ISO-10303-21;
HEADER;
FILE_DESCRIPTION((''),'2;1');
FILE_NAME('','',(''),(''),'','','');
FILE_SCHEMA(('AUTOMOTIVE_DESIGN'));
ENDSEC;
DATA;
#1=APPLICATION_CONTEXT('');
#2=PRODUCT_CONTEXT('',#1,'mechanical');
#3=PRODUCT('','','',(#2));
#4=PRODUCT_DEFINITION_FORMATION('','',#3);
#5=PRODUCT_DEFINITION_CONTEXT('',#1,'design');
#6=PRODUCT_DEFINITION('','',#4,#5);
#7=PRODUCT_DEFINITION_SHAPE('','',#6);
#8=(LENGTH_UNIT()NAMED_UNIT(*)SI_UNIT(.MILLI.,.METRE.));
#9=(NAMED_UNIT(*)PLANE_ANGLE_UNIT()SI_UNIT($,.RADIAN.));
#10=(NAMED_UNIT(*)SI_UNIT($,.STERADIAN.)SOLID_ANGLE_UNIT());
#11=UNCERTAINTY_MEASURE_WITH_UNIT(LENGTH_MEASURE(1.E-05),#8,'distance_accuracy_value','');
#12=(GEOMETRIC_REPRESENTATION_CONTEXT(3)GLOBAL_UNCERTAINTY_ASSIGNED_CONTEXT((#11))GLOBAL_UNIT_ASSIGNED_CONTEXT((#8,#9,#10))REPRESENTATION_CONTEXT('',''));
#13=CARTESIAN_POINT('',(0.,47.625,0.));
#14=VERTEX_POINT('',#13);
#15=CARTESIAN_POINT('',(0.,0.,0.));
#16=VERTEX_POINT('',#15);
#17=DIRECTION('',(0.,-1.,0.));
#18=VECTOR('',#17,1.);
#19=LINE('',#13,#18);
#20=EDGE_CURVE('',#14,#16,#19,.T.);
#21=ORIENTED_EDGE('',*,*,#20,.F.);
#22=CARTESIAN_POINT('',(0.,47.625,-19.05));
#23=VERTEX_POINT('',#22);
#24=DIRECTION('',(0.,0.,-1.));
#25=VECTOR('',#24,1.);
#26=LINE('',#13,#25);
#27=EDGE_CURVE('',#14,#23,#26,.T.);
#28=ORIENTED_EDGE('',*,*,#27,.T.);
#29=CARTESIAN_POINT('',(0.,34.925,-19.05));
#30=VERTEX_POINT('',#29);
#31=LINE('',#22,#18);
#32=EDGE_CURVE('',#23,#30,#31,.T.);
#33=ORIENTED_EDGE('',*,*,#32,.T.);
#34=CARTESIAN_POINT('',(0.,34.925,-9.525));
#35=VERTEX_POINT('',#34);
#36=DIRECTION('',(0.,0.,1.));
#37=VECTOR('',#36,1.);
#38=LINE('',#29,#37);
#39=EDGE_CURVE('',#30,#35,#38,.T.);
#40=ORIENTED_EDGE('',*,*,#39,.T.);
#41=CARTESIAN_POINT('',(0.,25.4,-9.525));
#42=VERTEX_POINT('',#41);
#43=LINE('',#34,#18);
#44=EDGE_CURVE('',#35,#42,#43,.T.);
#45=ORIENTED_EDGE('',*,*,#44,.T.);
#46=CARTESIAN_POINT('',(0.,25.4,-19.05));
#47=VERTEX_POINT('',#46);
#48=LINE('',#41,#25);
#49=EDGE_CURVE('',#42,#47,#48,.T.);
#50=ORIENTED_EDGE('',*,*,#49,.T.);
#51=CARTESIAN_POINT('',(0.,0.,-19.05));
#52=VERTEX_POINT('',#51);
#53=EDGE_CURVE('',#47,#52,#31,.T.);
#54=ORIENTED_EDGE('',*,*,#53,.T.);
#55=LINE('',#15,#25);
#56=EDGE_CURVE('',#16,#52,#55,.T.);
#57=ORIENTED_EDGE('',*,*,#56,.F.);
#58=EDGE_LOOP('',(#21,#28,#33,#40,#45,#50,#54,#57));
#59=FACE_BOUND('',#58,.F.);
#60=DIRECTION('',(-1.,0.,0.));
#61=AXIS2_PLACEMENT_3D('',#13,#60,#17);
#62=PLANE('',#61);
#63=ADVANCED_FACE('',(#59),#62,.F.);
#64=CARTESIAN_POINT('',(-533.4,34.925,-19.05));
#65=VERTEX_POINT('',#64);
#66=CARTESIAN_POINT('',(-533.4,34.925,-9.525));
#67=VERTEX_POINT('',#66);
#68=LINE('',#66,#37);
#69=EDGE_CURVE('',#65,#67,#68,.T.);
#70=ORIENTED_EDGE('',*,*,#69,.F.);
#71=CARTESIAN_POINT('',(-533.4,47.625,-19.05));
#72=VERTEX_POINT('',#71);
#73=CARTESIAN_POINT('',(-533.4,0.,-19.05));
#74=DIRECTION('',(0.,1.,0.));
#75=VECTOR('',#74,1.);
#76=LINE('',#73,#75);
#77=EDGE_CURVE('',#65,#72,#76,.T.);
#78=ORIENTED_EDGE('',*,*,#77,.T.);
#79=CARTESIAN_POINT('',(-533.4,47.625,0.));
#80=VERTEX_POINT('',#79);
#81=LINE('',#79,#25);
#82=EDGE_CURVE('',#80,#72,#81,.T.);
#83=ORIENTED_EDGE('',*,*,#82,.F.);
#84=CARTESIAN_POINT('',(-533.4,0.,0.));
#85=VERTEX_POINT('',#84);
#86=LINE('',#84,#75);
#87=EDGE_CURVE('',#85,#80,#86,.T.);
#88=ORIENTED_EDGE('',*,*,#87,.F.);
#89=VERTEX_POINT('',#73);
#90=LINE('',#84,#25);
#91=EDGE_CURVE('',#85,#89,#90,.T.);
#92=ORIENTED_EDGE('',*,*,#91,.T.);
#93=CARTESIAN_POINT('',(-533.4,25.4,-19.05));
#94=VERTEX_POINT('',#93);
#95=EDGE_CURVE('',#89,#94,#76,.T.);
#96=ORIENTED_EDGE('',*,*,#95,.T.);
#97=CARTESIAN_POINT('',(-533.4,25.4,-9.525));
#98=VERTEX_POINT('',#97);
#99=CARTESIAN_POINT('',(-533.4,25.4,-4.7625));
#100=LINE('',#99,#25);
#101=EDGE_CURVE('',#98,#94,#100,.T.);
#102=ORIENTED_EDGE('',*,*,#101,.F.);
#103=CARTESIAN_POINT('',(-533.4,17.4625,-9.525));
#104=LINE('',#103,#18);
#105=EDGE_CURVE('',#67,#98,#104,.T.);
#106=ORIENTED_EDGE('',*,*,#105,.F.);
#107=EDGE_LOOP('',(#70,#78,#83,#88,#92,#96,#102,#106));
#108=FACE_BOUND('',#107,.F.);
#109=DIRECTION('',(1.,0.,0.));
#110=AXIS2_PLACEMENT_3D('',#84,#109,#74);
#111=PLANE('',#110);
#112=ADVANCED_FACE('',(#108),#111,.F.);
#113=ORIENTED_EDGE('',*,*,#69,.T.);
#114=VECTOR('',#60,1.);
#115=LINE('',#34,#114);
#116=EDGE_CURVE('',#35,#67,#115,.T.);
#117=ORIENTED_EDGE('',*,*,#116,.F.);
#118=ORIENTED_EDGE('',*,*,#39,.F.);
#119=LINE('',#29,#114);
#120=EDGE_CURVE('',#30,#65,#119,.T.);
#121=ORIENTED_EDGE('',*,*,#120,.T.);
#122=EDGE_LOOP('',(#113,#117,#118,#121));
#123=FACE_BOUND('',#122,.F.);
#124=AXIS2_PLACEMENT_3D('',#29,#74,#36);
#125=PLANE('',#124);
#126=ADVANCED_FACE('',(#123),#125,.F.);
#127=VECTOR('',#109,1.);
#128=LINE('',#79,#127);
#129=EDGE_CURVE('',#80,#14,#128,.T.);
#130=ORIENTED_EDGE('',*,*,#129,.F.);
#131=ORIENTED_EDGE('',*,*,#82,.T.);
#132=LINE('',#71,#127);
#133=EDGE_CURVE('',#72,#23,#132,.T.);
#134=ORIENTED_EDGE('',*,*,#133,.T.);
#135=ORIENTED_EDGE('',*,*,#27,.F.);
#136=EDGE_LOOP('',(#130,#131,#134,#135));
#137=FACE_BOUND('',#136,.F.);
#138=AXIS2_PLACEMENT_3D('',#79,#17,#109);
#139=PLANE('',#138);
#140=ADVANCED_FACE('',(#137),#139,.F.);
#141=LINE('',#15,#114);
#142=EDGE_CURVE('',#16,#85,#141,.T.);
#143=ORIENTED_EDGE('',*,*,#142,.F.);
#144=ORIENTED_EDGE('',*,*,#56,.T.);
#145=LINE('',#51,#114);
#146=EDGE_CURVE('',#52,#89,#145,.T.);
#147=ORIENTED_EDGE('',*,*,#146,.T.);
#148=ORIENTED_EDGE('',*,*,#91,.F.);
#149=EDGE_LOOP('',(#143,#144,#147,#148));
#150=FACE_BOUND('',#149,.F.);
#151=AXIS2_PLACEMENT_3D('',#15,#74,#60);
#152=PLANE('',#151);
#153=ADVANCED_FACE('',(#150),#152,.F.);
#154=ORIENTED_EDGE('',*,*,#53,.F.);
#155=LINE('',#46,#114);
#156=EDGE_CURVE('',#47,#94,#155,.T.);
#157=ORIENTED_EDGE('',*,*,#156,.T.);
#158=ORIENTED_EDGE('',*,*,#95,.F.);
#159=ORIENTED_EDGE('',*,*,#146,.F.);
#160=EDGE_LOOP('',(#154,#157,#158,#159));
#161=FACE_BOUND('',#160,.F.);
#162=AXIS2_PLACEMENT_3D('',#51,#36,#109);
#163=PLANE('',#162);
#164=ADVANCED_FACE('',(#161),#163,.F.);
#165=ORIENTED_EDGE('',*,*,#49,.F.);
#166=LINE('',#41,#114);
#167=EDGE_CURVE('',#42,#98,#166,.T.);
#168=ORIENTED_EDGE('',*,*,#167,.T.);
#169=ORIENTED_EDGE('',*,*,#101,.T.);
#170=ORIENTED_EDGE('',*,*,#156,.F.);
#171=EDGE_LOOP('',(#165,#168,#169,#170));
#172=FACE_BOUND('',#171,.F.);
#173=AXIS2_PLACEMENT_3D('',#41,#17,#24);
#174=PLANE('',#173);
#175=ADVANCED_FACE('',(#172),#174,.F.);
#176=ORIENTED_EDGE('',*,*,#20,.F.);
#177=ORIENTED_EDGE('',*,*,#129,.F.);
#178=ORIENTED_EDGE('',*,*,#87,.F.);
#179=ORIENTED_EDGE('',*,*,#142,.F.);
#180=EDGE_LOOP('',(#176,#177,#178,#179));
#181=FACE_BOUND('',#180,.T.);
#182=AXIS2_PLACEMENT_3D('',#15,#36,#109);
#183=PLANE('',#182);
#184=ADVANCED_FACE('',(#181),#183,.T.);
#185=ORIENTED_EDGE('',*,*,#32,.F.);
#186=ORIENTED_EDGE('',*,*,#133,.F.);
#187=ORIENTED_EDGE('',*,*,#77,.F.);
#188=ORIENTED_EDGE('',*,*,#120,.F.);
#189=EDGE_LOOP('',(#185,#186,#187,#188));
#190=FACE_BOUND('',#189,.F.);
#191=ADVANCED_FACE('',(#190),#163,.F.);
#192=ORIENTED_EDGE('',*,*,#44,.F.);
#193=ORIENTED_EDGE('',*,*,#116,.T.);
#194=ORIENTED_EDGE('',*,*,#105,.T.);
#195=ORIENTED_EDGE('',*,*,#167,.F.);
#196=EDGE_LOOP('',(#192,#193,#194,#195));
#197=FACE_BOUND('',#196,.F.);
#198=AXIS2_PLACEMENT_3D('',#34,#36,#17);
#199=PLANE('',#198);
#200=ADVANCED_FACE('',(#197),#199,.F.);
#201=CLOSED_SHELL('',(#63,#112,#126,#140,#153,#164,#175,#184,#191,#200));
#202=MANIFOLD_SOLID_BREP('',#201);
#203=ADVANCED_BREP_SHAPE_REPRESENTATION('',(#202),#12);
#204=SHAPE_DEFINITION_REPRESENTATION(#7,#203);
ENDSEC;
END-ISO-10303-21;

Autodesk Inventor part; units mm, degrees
ref_plane "YZ Plane" through (0, 0, 0) normal (1, 0, 0) x (0, 1, 0)
ref_plane "XZ Plane" through (0, 0, 0) normal (0, 1, 0) x (-1, 0, 0)
ref_plane "XY Plane" through (0, 0, 0) normal (0, 0, 1) x (1, 0, 0)
sketch "Sketch1" plane through (0, 0, 0) normal (0, 0, 1) x (1, 0, 0)
  line L0 (0, 0) -> (-533.4, 0)
  line L1 (-533.4, 0) -> (-533.4, 47.625)
  line L2 (-533.4, 47.625) -> (0, 47.625)
  line L3 (0, 47.625) -> (0, 0)
  dimension "d0" = 533.4
  dimension "d1" = 47.625
  dimension "d2" = 0
  dimension "d3" = 0
extrude "Extrusion1" add sketch "Sketch1" against normal blind 19.05
sketch "Sketch2" plane through (0, 0, 0) normal (1, 0, 0) x (0, 0, -1)
  line L0 (0, 0) -> (19.05, 0) projected
  line L1 (0, 47.625) -> (19.05, 47.625)
  line L2 (19.05, 47.625) -> (19.05, 0)
  line L3 (19.05, 0) -> (0, 0)
  line L4 (0, 0) -> (0, 47.625)
  line L5 (19.05, 34.925) -> (9.525, 34.925)
  line L6 (9.525, 34.925) -> (9.525, 25.4)
  line L7 (9.525, 25.4) -> (19.05, 25.4)
  line L8 (19.05, 25.4) -> (19.05, 34.925)
  dimension "d6" = 12.7
  dimension "d7" = 9.525
  dimension "d8" = 25.4
  dimension "d11" = 9.525
extrude "Extrusion2" cut sketch "Sketch2" against normal through all contours L7 L6 L5 L2
properties part number "bottom_board_side_slat" material "Wood (Birch)"
